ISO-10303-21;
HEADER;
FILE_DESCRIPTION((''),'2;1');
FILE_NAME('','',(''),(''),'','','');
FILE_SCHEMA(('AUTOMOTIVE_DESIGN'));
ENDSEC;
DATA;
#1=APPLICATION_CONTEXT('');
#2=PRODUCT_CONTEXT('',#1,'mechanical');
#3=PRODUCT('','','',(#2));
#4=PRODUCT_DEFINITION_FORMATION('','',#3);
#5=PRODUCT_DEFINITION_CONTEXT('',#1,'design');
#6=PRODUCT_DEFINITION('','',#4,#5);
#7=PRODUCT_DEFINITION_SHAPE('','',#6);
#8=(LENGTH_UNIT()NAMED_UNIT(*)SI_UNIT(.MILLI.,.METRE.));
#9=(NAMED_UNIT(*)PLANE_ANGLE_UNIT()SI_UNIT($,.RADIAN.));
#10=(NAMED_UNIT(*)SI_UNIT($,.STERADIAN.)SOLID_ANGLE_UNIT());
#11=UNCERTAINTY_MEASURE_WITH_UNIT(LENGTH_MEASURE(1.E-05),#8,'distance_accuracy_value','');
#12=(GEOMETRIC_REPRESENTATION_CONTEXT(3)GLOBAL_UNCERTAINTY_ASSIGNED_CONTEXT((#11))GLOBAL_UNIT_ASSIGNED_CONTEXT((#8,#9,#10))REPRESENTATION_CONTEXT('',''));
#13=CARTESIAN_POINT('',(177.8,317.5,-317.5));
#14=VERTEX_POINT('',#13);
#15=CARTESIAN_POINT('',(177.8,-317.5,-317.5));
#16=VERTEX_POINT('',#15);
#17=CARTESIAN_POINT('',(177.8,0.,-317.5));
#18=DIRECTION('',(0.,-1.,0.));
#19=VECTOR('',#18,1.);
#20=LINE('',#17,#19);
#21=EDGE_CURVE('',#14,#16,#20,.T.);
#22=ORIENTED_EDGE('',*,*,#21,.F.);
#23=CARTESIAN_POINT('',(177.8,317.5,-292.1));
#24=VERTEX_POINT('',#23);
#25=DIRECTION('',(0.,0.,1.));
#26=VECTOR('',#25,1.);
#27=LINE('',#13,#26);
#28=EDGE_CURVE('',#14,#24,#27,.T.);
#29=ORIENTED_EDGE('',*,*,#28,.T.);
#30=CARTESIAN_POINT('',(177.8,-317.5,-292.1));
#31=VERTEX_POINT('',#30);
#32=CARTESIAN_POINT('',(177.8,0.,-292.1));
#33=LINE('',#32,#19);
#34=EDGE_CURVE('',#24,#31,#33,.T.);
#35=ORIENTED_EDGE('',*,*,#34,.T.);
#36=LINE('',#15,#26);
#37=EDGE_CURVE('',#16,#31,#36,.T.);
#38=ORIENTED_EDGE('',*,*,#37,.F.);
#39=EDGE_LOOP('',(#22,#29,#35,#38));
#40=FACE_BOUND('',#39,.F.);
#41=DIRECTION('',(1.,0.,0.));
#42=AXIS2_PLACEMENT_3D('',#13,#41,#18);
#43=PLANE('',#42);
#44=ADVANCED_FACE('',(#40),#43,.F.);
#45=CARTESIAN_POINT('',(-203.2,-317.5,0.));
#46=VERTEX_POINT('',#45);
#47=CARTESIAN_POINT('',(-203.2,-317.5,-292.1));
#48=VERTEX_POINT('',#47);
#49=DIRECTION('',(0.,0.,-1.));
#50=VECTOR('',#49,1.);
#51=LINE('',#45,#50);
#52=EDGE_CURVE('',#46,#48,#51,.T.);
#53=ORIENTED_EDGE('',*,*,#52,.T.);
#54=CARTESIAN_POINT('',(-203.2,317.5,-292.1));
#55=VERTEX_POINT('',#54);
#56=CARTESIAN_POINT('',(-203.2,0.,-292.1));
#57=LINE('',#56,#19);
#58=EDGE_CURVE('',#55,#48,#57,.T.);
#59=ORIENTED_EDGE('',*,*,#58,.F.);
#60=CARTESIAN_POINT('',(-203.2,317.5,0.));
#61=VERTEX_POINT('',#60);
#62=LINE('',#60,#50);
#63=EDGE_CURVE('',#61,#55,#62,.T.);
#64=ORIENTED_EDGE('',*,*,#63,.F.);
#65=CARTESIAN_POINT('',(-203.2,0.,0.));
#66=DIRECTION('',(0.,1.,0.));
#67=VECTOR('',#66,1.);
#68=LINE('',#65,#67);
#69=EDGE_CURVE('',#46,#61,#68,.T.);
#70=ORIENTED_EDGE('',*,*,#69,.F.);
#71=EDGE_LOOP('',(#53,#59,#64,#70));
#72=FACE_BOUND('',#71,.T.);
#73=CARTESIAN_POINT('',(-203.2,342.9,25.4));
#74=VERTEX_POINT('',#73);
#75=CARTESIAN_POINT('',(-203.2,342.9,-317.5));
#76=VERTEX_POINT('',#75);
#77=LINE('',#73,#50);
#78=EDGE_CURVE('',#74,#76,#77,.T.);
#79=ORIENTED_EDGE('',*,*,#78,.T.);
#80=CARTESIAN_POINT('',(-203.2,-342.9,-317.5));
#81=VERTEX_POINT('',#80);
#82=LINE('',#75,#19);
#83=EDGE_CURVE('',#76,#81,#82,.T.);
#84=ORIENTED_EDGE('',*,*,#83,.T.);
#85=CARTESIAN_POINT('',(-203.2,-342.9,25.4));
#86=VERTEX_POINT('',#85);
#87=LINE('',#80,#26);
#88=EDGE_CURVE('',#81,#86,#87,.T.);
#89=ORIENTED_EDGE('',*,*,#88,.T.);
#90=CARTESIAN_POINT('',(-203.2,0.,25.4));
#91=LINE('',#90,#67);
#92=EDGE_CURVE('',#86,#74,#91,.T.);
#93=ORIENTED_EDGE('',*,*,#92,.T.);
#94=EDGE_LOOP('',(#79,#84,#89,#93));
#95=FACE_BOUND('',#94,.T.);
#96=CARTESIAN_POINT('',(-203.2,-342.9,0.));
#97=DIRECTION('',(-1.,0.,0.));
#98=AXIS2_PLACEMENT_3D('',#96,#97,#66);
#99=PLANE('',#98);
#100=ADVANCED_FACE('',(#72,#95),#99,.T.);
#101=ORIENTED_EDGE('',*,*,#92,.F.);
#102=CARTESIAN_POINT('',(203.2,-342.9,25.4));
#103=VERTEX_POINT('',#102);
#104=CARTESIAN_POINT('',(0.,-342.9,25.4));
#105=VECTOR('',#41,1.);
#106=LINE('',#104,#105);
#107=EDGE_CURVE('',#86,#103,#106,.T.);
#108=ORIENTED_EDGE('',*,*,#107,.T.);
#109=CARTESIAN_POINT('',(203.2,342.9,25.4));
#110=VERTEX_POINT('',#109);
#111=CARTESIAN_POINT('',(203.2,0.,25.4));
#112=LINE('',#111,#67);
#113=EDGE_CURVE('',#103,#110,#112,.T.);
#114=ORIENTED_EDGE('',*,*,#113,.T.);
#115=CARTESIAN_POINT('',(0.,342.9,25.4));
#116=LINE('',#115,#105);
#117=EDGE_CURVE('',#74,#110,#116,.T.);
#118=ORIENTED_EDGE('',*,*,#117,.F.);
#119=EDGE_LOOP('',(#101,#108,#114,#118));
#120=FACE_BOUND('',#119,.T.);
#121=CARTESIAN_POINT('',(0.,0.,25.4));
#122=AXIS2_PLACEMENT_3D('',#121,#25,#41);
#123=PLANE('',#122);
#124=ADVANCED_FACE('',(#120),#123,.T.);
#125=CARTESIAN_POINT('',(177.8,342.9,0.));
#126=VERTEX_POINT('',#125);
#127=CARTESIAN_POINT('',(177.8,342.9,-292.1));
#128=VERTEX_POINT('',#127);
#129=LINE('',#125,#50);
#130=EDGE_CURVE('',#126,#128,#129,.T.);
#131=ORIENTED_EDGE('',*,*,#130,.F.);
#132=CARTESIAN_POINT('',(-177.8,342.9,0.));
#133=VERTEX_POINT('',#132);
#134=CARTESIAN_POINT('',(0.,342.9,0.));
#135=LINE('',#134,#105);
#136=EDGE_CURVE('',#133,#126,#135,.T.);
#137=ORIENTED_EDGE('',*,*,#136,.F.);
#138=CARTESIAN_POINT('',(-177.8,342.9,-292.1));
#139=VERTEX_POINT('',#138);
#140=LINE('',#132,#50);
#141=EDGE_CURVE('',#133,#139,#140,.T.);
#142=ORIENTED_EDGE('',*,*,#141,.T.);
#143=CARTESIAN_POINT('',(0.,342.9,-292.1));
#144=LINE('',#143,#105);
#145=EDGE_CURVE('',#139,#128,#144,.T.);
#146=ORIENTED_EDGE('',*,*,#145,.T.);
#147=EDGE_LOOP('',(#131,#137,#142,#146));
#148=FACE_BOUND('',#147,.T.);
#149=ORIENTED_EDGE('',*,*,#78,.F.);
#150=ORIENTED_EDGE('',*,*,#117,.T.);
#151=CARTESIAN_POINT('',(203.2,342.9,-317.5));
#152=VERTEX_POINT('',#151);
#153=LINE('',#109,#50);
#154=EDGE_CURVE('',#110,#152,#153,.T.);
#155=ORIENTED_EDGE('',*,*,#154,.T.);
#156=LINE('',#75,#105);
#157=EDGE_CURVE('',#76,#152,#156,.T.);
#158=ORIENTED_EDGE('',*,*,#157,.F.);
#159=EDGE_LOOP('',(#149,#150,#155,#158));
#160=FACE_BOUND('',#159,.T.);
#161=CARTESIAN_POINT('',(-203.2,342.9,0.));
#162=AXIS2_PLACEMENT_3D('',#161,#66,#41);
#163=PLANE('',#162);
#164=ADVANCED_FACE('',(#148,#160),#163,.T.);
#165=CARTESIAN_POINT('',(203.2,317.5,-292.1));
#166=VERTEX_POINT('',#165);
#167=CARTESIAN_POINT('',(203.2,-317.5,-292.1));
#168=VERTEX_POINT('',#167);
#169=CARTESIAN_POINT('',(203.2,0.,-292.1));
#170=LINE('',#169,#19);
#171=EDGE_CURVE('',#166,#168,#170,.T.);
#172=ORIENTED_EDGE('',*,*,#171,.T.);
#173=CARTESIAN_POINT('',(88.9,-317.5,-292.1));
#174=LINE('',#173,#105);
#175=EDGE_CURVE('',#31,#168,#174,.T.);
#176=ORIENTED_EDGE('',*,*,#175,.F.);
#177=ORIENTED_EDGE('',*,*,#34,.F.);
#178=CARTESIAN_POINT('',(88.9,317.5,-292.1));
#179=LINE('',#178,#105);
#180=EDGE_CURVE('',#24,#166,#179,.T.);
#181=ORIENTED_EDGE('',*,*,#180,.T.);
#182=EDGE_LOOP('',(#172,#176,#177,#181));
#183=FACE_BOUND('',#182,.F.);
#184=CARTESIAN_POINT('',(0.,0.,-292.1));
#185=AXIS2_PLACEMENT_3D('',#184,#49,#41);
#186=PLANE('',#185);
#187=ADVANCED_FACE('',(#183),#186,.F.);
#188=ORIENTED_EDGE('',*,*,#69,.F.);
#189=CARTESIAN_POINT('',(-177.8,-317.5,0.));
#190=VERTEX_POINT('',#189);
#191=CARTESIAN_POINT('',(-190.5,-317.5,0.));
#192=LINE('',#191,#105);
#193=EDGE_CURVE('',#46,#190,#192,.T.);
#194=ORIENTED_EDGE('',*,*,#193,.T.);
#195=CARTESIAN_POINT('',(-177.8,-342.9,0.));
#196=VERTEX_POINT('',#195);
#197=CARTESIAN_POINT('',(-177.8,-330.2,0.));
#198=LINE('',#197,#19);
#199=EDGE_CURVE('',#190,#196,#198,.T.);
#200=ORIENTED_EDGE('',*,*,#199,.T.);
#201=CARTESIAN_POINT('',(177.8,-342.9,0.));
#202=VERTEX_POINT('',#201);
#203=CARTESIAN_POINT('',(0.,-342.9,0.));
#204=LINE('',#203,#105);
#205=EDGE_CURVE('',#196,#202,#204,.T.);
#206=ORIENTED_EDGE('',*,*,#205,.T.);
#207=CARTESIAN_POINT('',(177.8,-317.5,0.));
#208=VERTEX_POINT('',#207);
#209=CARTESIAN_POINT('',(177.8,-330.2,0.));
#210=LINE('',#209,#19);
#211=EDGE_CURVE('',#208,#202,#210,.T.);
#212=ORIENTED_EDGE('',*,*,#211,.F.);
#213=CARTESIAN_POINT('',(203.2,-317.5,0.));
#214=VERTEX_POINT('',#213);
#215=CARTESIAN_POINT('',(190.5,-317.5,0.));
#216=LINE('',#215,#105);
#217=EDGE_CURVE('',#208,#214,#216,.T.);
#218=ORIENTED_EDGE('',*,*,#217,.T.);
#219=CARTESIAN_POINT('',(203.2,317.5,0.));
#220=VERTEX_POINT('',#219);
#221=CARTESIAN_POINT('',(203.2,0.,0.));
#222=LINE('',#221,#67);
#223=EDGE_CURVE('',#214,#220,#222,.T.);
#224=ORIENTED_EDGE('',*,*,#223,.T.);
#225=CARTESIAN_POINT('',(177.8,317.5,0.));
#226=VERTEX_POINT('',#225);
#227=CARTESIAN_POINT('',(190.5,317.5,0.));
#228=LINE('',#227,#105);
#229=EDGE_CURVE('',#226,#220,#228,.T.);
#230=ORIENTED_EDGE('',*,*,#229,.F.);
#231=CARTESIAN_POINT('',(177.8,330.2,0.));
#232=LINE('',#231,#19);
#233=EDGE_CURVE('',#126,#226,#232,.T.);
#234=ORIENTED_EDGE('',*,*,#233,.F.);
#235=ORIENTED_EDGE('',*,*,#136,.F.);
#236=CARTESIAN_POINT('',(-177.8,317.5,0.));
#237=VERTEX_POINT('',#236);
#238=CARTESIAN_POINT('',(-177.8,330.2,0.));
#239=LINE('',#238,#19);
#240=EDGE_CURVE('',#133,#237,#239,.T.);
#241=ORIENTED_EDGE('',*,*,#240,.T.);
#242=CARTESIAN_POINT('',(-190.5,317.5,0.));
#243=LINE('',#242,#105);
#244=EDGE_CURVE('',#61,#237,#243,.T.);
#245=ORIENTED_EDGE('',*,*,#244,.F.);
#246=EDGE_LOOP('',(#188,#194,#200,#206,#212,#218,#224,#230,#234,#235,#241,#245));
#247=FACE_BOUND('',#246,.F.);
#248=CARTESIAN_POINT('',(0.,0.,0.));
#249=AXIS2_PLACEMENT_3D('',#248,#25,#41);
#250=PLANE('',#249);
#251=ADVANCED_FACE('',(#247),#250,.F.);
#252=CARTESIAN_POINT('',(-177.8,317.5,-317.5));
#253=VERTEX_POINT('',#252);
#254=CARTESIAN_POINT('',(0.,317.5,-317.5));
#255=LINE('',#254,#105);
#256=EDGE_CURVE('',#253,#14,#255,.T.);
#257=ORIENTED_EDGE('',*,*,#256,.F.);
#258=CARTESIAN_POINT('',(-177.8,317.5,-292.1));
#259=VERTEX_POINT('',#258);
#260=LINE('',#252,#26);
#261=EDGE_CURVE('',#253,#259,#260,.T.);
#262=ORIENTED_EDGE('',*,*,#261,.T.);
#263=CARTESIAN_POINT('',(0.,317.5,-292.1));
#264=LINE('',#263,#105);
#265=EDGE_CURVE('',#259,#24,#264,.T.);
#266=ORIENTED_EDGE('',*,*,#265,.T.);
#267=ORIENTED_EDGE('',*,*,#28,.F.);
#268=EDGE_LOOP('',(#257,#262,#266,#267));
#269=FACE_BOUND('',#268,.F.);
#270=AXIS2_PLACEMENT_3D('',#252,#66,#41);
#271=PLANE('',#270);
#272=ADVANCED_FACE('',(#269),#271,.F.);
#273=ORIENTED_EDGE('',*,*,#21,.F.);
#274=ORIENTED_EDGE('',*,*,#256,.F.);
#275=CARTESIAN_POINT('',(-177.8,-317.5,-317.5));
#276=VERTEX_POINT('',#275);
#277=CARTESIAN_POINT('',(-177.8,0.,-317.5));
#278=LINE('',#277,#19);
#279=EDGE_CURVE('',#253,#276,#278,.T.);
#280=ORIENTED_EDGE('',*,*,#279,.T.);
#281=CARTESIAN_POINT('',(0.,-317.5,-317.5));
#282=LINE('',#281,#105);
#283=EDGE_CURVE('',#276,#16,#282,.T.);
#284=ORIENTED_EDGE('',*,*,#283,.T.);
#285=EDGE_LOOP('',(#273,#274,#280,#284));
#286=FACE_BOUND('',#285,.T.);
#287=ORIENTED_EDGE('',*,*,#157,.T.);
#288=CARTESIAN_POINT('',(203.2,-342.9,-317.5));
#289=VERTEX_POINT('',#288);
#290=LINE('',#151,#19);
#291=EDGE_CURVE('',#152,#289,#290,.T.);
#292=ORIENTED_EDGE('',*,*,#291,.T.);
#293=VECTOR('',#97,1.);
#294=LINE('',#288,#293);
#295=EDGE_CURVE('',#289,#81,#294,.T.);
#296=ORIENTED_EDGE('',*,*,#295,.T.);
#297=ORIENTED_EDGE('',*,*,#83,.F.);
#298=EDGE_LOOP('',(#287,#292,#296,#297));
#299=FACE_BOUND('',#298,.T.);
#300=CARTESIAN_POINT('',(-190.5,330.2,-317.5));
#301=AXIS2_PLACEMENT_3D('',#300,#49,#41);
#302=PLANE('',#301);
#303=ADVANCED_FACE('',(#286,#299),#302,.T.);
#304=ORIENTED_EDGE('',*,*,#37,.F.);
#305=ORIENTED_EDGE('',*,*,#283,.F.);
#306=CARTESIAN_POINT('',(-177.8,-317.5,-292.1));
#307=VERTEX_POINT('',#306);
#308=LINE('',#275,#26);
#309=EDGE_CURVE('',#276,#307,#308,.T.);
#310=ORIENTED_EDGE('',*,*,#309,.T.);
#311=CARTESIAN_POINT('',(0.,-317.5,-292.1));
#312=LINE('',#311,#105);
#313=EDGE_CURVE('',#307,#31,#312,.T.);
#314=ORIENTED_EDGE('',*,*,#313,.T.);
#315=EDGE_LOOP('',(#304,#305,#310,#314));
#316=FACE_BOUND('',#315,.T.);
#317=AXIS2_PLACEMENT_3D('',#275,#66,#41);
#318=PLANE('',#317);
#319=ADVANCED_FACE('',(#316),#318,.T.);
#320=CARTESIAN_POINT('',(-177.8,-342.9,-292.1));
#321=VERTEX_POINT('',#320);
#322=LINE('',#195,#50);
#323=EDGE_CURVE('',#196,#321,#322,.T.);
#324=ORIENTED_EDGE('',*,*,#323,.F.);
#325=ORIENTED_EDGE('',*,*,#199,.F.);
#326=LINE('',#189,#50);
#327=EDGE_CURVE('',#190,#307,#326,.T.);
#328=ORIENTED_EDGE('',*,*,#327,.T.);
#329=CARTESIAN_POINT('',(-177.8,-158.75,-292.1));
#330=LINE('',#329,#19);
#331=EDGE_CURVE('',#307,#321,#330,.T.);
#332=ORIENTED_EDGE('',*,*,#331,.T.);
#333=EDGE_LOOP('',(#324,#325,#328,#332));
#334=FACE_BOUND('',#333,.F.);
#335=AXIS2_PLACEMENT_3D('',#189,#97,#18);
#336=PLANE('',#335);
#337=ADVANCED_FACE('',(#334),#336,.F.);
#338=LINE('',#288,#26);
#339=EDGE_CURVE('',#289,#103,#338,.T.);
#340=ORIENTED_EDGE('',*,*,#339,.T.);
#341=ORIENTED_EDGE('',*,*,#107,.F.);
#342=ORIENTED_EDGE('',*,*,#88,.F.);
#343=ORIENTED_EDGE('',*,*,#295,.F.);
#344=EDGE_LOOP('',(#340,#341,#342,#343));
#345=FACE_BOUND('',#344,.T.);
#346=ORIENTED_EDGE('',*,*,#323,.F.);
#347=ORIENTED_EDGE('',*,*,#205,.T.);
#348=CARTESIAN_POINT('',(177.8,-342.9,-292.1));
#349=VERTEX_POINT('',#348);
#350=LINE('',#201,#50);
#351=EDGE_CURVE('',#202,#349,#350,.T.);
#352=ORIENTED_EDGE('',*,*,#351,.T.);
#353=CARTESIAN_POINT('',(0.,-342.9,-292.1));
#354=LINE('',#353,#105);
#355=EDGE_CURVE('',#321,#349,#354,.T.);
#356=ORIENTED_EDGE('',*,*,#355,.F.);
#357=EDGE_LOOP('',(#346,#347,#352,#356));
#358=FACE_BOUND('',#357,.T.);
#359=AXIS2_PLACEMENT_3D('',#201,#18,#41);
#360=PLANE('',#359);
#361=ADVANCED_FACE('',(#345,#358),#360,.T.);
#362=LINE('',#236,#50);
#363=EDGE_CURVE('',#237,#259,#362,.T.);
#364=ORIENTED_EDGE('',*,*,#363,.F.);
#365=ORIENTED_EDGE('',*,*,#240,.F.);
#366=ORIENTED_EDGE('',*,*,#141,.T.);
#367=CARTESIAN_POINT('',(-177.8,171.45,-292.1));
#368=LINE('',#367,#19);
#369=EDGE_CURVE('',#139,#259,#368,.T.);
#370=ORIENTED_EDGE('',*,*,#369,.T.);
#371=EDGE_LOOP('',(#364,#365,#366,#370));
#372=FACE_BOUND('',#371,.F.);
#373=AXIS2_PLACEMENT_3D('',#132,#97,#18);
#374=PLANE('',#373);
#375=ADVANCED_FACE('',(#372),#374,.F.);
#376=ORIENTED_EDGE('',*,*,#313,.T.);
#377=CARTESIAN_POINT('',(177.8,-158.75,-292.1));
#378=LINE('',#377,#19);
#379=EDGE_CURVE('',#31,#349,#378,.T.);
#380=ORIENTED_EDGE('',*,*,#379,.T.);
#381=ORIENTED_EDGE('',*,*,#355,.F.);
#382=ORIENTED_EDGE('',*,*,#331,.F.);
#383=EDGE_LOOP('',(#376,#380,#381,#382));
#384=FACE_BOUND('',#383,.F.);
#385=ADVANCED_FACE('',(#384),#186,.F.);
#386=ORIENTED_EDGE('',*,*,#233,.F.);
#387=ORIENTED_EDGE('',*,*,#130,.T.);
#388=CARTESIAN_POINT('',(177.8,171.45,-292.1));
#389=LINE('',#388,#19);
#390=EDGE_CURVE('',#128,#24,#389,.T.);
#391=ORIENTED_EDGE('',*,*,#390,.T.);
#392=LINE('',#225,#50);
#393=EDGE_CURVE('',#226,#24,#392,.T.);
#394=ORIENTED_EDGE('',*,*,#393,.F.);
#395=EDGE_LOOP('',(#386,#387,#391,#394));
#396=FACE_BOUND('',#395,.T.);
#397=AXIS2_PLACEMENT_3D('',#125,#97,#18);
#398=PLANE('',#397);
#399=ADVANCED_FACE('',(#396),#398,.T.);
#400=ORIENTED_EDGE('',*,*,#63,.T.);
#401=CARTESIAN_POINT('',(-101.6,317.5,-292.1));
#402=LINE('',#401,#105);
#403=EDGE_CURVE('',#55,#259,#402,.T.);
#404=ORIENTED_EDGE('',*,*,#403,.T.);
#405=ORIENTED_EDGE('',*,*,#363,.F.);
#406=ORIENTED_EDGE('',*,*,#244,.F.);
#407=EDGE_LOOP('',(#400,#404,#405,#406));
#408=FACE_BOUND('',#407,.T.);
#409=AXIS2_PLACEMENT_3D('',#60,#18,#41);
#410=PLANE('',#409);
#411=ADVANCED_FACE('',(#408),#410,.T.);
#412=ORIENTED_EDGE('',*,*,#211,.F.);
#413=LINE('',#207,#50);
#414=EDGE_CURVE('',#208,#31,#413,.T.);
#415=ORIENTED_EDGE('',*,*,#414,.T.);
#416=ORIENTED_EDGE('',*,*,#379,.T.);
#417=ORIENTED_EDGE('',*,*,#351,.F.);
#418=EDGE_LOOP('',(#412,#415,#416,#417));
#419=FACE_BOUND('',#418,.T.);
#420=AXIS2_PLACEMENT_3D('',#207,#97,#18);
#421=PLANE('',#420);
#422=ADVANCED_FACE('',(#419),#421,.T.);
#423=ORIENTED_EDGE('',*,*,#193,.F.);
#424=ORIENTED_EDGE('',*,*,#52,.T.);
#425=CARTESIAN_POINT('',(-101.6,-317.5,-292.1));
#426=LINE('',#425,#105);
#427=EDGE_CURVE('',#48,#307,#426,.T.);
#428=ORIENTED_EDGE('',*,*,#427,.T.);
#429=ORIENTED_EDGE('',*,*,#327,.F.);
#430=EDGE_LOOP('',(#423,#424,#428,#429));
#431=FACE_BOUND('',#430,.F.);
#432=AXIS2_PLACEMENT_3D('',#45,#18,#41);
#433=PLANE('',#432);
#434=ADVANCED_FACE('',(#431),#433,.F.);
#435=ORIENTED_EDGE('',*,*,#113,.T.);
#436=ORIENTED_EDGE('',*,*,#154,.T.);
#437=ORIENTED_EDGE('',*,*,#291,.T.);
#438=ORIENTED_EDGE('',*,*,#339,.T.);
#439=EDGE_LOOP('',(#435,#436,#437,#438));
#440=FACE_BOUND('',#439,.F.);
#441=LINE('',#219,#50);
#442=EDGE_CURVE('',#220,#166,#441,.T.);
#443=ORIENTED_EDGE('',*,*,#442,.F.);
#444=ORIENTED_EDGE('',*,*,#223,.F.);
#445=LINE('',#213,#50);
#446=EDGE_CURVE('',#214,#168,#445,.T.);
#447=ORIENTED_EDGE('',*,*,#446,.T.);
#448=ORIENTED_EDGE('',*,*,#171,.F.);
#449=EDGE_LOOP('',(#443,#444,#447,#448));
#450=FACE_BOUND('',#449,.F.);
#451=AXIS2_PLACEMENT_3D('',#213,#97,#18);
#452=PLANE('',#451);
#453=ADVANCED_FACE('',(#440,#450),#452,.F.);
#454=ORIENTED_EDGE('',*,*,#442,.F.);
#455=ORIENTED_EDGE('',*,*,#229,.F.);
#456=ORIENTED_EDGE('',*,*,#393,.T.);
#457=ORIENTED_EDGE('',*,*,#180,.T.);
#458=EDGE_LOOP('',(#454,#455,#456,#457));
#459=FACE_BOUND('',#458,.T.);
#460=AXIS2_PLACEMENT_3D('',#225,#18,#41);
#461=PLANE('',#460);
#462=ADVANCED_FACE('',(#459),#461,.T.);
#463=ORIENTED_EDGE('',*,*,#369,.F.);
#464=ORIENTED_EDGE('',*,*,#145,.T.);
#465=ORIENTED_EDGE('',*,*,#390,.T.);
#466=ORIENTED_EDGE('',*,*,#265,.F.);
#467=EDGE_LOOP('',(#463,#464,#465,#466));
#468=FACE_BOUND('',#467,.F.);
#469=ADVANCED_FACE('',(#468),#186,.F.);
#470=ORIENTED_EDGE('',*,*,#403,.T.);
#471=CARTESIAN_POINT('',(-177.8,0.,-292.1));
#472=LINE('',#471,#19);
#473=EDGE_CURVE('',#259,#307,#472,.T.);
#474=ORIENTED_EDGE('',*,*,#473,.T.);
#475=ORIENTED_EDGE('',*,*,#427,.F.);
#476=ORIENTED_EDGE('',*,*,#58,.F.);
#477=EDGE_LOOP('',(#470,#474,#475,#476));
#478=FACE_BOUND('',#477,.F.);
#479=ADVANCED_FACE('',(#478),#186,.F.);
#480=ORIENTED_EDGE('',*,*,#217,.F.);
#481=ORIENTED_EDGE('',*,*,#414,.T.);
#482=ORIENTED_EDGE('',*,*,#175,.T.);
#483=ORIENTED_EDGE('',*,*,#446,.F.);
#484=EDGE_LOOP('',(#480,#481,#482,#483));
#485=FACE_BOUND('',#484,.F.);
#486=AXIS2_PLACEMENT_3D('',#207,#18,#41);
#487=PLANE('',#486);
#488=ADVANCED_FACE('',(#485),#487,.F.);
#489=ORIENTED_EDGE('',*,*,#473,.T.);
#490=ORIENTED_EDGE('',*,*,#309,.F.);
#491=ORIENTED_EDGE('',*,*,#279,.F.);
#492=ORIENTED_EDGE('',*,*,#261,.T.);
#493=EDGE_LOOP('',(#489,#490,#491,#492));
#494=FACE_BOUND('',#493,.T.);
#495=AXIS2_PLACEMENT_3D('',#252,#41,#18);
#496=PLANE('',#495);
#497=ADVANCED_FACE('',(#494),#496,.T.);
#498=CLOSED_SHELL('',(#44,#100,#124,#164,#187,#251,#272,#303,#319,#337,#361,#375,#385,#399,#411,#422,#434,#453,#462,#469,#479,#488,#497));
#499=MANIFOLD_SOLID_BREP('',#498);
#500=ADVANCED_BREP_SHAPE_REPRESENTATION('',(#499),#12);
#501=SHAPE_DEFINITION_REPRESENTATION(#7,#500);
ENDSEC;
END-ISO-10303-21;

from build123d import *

# Parameters (mm, degrees)
F0_W     = 406.4
F0_H     = 685.8
F1_DEPTH = 25.4
F2_W     = 25.4
F2_H     = 25.4
F3_DEPTH = 317.5
F4_W     = 406.4
F4_H     = 685.8
F5_DEPTH = 25.4
F6_W     = 355.6
F6_H     = 635
F7_DEPTH = 25.4


with BuildPart() as f1:
    # F0 (on Top) → F1 (new body)
    with BuildSketch(Plane.XY):
        Rectangle(F0_W, F0_H)
    extrude(amount=F1_DEPTH)

    # F2 (on face) → F3 (join)
    with BuildSketch(Plane(origin=(0, 0, 0), x_dir=(1, 0, 0), z_dir=(0, 0, -1))):
        with Locations((190.5, 330.2)):
            Rectangle(F2_W, F2_H)
        with Locations((-190.5, -330.2)):
            Rectangle(F2_W, F2_H)
        with Locations((190.5, -330.2)):
            Rectangle(F2_W, F2_H)
        with Locations((-190.5, 330.2)):
            Rectangle(F2_W, F2_H)
    extrude(amount=F3_DEPTH)

    # F4 (on face) → F5 (join)
    with BuildSketch(Plane(origin=(0, 0, -317.5), x_dir=(1, 0, 0), z_dir=(0, 0, -1))):
        Rectangle(F4_W, F4_H)
    extrude(amount=-F5_DEPTH)

    # F6 (on face) → F7 (cut)
    with BuildSketch(Plane(origin=(0, 0, -317.5), x_dir=(1, 0, 0), z_dir=(0, 0, -1))):
        Rectangle(F6_W, F6_H)
    extrude(amount=-F7_DEPTH, mode=Mode.SUBTRACT)


solid = f1.part
